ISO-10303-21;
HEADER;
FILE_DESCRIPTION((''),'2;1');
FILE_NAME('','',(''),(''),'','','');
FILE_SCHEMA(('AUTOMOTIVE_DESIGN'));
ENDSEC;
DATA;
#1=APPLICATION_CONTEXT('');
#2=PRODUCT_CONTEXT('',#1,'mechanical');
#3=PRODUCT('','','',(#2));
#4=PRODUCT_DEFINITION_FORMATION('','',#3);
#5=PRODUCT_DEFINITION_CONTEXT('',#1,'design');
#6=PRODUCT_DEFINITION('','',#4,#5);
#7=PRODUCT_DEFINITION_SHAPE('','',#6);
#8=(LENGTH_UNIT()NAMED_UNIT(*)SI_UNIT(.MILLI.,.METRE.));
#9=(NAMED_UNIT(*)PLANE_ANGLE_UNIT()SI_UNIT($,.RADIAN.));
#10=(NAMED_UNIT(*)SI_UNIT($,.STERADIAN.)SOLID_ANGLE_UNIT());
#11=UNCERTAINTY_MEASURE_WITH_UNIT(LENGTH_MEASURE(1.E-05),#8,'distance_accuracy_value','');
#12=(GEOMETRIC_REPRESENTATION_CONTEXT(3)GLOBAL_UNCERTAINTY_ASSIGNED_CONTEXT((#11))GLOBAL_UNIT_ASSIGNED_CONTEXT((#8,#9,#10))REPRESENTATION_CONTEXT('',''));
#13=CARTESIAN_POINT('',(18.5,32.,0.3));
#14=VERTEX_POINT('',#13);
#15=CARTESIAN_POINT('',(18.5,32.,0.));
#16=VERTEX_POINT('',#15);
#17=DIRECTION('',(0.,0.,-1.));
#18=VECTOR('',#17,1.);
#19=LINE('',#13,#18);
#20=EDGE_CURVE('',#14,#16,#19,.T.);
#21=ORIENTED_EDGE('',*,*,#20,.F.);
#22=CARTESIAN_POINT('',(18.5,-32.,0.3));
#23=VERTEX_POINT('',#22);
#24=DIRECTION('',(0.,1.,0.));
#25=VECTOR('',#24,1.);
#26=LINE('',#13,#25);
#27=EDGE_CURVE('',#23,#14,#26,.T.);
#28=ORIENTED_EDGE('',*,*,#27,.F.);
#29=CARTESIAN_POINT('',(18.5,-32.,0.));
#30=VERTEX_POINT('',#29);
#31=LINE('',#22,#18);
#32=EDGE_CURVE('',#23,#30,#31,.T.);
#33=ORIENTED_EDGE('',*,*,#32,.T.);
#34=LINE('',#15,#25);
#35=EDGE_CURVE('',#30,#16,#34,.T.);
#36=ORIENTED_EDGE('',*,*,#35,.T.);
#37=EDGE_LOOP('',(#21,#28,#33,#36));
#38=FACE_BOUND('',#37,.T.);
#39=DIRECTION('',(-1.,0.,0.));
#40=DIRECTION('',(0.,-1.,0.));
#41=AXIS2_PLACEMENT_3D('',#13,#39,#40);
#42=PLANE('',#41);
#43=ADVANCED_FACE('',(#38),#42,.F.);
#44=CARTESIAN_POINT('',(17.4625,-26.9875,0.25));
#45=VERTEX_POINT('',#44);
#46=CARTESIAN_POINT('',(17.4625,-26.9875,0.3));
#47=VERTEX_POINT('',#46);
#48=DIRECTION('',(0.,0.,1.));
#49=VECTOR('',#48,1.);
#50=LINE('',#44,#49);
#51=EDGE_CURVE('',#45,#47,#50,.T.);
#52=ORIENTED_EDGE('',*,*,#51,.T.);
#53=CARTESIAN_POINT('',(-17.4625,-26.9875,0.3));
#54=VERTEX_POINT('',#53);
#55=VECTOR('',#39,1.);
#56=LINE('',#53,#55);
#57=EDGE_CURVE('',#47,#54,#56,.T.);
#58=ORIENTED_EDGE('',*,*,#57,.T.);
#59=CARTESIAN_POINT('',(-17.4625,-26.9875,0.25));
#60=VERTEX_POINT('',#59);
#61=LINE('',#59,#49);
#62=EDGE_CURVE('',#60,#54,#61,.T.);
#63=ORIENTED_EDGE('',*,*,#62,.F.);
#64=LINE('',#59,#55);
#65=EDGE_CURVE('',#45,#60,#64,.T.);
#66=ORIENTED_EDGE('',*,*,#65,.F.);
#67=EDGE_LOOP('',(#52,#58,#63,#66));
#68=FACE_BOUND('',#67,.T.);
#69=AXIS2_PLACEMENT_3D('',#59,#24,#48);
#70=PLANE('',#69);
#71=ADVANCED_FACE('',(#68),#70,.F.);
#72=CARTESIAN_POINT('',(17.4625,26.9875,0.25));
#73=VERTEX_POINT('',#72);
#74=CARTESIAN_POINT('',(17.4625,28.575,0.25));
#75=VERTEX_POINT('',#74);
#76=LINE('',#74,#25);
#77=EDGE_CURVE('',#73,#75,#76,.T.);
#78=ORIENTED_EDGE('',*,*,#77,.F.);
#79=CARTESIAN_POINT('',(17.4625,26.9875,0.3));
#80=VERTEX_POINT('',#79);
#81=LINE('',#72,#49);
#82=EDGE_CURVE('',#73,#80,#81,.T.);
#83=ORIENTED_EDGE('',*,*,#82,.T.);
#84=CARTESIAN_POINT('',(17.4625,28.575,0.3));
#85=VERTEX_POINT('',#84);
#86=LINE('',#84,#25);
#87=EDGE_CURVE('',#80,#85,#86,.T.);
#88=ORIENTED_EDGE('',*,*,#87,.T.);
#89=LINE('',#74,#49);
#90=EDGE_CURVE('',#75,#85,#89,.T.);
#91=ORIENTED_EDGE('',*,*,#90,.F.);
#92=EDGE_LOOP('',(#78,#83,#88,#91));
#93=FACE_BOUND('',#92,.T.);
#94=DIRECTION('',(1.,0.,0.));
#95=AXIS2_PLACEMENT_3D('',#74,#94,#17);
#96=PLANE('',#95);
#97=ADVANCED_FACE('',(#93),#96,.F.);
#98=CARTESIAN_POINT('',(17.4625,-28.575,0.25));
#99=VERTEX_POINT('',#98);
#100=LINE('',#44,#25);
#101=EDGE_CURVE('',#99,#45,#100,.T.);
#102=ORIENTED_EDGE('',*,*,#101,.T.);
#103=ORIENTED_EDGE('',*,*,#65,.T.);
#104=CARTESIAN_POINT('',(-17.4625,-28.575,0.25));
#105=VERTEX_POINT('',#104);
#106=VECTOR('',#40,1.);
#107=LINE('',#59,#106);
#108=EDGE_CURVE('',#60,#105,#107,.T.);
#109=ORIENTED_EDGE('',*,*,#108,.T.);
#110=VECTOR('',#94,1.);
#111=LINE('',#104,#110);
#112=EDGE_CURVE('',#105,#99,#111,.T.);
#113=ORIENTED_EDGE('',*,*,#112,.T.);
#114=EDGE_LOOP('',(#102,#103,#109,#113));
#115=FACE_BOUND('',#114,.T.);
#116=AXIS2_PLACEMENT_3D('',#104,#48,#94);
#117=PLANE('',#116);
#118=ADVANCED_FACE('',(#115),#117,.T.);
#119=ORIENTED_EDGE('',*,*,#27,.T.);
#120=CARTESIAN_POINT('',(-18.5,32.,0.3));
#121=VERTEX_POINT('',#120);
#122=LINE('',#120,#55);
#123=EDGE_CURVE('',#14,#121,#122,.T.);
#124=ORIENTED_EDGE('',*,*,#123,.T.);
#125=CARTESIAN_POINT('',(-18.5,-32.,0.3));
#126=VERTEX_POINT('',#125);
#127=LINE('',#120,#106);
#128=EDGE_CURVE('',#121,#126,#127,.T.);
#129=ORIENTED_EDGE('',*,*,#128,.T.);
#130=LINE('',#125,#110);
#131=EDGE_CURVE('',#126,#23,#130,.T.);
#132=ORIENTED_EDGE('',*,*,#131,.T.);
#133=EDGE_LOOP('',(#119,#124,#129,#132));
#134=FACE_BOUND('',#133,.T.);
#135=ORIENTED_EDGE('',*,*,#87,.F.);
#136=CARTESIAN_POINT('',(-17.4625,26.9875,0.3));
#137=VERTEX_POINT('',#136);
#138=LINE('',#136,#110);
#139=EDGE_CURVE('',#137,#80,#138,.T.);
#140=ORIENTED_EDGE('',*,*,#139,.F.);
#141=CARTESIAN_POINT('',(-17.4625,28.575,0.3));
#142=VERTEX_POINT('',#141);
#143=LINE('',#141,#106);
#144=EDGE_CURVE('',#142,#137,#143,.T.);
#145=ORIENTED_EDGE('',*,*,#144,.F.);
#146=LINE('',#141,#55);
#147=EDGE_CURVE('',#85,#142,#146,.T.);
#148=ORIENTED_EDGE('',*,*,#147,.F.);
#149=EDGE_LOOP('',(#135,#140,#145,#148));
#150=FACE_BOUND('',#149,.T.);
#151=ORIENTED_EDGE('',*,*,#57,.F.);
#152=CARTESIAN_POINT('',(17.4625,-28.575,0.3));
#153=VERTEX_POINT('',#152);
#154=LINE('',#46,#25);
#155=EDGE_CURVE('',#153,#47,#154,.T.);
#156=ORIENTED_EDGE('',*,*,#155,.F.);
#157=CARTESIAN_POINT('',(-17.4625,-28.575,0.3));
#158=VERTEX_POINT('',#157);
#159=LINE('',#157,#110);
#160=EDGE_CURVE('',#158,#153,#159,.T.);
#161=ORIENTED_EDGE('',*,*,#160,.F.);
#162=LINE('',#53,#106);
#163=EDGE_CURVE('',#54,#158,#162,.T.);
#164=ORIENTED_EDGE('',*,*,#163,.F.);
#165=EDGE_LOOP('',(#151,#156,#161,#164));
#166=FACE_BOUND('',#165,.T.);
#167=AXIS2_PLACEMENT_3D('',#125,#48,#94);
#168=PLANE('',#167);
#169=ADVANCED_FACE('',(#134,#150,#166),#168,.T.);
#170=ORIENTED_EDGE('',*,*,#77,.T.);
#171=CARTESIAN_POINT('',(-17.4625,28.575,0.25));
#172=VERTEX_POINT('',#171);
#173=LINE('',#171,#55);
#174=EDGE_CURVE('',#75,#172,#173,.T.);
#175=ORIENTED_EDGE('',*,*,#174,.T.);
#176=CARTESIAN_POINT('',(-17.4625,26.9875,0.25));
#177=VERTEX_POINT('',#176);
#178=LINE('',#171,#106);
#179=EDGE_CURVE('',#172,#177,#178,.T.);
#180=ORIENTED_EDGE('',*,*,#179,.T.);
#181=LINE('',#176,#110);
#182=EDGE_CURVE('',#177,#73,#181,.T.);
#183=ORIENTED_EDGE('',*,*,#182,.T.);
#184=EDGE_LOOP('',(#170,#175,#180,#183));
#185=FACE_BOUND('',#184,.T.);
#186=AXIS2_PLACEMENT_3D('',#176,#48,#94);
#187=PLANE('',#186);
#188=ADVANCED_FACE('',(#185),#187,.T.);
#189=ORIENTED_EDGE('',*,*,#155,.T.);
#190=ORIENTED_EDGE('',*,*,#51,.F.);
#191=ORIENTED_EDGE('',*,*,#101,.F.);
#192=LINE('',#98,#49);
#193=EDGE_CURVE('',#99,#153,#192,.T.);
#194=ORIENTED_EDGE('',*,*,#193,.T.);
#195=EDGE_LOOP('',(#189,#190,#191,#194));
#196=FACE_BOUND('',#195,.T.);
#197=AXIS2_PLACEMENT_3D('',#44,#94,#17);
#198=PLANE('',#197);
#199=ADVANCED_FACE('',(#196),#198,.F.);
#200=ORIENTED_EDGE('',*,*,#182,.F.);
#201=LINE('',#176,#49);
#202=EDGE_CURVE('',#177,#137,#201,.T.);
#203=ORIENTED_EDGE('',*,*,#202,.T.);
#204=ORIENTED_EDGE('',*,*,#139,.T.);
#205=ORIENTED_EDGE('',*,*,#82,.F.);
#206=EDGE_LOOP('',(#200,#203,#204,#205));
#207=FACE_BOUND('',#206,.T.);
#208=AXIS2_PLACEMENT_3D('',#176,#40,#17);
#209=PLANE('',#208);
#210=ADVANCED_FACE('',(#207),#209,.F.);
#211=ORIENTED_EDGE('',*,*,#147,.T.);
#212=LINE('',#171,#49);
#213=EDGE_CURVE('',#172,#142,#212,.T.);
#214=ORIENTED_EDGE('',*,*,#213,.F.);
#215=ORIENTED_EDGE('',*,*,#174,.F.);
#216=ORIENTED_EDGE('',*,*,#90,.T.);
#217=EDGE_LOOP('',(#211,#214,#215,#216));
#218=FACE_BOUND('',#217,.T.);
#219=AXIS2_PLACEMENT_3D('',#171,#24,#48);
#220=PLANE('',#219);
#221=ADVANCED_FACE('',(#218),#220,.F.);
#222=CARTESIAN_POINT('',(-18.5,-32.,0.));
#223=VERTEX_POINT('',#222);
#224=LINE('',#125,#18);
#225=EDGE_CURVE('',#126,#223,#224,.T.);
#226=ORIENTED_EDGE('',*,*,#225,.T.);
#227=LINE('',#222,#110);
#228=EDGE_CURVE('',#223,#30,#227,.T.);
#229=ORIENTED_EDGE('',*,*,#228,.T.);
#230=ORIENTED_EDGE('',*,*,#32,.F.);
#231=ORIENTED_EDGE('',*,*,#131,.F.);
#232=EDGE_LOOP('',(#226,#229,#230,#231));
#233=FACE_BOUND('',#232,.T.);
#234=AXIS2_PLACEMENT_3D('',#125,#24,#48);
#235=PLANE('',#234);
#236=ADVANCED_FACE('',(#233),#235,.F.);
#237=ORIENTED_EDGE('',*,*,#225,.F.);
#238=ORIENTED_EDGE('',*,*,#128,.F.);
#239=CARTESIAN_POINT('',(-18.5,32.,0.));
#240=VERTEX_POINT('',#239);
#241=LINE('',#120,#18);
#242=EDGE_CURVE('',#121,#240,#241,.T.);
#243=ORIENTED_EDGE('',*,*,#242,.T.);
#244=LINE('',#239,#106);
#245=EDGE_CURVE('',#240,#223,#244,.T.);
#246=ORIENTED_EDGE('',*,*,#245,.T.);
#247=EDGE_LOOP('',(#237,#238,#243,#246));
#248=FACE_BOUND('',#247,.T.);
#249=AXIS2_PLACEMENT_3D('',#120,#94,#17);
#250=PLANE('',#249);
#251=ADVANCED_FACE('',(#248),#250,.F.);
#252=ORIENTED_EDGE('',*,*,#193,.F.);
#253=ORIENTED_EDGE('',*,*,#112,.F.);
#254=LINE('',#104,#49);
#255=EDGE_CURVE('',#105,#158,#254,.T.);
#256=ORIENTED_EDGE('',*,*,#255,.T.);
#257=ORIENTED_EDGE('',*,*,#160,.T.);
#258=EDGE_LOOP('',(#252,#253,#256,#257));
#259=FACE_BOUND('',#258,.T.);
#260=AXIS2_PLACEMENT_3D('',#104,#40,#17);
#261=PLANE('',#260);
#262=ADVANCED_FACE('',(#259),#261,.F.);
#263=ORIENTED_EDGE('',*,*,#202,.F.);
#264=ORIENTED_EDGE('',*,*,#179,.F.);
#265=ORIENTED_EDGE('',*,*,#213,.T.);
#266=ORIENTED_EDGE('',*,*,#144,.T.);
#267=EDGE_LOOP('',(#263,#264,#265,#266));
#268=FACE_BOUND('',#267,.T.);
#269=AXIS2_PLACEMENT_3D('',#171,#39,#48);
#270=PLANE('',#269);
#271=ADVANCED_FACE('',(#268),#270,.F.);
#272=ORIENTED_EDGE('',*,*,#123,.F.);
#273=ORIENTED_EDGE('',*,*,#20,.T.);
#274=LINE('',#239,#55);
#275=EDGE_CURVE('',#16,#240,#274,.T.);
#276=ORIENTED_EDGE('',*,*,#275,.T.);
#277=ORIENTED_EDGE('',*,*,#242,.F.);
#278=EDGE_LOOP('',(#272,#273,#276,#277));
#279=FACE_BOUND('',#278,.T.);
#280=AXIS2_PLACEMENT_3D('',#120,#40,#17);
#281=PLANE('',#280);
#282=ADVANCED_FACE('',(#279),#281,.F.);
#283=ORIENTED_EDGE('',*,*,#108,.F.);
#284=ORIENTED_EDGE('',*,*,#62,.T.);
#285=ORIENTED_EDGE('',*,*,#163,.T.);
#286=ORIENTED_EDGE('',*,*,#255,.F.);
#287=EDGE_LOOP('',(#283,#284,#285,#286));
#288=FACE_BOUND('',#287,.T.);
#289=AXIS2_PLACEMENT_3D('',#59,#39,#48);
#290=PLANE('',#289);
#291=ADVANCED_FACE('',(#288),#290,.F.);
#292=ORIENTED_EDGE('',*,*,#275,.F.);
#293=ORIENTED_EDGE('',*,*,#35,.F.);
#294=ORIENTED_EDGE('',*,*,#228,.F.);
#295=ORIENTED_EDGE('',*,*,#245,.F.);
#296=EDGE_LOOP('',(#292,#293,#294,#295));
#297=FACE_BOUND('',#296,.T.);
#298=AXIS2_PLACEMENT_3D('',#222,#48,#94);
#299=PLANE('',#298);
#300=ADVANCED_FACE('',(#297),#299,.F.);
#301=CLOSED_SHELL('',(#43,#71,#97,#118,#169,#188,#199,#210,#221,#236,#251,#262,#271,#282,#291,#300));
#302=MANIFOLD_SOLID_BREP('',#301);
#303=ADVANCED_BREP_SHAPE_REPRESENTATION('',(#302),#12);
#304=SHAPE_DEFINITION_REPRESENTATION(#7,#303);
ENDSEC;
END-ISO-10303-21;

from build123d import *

# Parameters (mm, degrees)
SKETCH1_W          = 37
SKETCH1_H          = 64
EXTRUDE1_DEPTH     = 0.3
SKETCH2_W          = 34.925
SKETCH2_H          = 1.5875
CUT_EXTRUDE1_DEPTH = 0.05


with BuildPart() as part:
    # Sketch1 → Extrude1 (new body)
    with BuildSketch(Plane.XY):
        Rectangle(SKETCH1_W, SKETCH1_H)
    extrude(amount=EXTRUDE1_DEPTH)

    # Sketch2 → Cut-Extrude1 (cut)
    with BuildSketch(Plane.XY.offset(0.3)):
        with Locations((0, 27.78125)):
            Rectangle(SKETCH2_W, SKETCH2_H)
        with Locations((0, -27.78125)):
            Rectangle(SKETCH2_W, SKETCH2_H)
    extrude(amount=-CUT_EXTRUDE1_DEPTH, mode=Mode.SUBTRACT)


solid = part.part
